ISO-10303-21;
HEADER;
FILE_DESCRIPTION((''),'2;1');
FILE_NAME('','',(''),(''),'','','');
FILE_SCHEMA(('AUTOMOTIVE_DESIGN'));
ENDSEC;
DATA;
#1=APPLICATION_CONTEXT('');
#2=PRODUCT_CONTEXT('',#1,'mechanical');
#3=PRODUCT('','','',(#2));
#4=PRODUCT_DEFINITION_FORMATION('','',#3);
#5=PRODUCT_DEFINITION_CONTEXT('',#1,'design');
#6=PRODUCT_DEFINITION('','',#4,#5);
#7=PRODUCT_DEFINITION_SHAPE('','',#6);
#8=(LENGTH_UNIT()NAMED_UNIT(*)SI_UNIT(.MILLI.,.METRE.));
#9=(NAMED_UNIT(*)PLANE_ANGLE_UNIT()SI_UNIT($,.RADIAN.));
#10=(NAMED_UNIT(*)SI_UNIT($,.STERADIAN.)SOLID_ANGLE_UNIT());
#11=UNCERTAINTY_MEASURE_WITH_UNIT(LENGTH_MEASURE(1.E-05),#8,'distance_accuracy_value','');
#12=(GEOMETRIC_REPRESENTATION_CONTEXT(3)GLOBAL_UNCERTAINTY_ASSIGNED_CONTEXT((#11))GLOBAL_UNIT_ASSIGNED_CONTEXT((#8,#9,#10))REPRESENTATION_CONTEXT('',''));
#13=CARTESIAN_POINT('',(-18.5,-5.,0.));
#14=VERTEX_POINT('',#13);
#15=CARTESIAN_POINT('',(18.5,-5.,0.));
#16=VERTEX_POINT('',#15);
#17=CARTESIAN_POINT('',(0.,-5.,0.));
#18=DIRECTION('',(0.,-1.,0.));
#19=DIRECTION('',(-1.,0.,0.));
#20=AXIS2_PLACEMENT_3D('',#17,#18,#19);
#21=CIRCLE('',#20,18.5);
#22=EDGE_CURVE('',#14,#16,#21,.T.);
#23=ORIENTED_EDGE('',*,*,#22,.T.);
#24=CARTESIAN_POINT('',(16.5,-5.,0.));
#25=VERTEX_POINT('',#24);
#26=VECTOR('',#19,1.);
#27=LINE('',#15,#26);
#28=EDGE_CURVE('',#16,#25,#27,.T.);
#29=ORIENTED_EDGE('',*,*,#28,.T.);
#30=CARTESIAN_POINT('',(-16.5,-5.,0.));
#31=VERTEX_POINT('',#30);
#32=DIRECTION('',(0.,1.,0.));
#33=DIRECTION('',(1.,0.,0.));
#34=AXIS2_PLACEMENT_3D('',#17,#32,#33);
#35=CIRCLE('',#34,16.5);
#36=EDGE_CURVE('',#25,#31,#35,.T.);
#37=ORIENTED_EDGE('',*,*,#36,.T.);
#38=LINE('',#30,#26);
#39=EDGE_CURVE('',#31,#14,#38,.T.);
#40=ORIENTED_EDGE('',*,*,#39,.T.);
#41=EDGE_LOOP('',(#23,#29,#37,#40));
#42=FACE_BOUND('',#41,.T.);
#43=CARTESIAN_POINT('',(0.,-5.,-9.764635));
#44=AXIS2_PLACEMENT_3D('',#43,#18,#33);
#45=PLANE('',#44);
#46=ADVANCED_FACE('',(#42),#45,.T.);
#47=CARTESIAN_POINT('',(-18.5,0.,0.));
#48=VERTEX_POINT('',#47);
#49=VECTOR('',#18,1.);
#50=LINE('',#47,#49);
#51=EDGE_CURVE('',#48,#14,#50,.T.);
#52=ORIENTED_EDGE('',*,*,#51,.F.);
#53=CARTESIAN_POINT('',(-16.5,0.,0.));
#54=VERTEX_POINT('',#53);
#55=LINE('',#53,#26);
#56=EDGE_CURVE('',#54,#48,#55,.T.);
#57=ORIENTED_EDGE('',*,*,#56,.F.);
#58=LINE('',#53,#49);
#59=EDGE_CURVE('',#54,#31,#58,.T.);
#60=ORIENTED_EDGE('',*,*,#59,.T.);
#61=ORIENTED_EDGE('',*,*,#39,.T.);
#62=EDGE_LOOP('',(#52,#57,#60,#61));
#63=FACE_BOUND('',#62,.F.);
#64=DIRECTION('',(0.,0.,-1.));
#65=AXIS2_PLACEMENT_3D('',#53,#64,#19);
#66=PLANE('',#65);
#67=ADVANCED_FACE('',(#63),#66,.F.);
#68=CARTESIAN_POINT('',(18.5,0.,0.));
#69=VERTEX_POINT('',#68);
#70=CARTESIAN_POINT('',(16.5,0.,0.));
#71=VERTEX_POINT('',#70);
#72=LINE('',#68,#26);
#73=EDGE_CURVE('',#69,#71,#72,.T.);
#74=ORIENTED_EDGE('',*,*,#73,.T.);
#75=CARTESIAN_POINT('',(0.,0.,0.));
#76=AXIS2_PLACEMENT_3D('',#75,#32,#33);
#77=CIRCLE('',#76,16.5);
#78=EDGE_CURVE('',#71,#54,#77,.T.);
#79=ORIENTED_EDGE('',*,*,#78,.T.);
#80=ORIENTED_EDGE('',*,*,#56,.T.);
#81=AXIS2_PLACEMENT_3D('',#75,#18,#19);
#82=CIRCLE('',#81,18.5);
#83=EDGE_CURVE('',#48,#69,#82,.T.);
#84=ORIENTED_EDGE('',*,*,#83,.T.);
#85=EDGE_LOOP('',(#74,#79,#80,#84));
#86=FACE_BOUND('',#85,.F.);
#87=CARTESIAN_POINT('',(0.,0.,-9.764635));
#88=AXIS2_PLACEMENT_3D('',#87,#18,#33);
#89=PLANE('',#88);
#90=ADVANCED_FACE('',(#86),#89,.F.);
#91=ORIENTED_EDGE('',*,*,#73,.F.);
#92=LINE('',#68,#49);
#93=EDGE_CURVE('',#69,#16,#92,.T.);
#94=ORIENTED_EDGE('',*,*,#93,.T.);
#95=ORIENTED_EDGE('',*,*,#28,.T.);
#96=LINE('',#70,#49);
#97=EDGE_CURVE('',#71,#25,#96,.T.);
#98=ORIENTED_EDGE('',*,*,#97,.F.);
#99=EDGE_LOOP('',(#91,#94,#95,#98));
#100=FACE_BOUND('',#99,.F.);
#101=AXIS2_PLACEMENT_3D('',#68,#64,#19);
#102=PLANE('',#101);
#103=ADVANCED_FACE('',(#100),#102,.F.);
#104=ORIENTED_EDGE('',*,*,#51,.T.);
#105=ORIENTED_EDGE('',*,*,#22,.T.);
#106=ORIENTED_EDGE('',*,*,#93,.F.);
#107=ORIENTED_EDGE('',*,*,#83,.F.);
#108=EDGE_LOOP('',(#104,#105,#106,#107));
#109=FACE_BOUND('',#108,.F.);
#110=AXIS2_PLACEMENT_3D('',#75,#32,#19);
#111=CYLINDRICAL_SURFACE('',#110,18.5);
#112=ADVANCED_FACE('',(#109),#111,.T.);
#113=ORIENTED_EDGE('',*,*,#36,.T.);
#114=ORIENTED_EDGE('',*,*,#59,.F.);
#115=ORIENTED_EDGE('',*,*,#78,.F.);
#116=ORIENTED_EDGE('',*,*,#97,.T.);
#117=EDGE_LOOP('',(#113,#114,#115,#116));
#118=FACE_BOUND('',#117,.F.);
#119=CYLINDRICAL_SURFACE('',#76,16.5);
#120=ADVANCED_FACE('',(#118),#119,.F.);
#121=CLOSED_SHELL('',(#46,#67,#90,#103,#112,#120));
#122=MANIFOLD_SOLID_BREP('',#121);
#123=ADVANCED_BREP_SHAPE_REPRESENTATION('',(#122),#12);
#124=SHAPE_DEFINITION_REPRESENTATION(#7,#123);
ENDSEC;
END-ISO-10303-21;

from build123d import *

# Parameters (mm, degrees)
F1_DEPTH = 5


with BuildPart() as f1:
    # F0 (on Front) → F1 (new body)
    with BuildSketch(Plane.XZ):
        with BuildLine():
            ThreePointArc((16.5, 0), (0, -16.5), (-16.5, 0))
            Line((-16.5, 0), (-18.5, 0))
            ThreePointArc((-18.5, 0), (0, -18.5), (18.5, 0))
            Line((18.5, 0), (16.5, 0))
        make_face()
    extrude(amount=F1_DEPTH)


solid = f1.part
